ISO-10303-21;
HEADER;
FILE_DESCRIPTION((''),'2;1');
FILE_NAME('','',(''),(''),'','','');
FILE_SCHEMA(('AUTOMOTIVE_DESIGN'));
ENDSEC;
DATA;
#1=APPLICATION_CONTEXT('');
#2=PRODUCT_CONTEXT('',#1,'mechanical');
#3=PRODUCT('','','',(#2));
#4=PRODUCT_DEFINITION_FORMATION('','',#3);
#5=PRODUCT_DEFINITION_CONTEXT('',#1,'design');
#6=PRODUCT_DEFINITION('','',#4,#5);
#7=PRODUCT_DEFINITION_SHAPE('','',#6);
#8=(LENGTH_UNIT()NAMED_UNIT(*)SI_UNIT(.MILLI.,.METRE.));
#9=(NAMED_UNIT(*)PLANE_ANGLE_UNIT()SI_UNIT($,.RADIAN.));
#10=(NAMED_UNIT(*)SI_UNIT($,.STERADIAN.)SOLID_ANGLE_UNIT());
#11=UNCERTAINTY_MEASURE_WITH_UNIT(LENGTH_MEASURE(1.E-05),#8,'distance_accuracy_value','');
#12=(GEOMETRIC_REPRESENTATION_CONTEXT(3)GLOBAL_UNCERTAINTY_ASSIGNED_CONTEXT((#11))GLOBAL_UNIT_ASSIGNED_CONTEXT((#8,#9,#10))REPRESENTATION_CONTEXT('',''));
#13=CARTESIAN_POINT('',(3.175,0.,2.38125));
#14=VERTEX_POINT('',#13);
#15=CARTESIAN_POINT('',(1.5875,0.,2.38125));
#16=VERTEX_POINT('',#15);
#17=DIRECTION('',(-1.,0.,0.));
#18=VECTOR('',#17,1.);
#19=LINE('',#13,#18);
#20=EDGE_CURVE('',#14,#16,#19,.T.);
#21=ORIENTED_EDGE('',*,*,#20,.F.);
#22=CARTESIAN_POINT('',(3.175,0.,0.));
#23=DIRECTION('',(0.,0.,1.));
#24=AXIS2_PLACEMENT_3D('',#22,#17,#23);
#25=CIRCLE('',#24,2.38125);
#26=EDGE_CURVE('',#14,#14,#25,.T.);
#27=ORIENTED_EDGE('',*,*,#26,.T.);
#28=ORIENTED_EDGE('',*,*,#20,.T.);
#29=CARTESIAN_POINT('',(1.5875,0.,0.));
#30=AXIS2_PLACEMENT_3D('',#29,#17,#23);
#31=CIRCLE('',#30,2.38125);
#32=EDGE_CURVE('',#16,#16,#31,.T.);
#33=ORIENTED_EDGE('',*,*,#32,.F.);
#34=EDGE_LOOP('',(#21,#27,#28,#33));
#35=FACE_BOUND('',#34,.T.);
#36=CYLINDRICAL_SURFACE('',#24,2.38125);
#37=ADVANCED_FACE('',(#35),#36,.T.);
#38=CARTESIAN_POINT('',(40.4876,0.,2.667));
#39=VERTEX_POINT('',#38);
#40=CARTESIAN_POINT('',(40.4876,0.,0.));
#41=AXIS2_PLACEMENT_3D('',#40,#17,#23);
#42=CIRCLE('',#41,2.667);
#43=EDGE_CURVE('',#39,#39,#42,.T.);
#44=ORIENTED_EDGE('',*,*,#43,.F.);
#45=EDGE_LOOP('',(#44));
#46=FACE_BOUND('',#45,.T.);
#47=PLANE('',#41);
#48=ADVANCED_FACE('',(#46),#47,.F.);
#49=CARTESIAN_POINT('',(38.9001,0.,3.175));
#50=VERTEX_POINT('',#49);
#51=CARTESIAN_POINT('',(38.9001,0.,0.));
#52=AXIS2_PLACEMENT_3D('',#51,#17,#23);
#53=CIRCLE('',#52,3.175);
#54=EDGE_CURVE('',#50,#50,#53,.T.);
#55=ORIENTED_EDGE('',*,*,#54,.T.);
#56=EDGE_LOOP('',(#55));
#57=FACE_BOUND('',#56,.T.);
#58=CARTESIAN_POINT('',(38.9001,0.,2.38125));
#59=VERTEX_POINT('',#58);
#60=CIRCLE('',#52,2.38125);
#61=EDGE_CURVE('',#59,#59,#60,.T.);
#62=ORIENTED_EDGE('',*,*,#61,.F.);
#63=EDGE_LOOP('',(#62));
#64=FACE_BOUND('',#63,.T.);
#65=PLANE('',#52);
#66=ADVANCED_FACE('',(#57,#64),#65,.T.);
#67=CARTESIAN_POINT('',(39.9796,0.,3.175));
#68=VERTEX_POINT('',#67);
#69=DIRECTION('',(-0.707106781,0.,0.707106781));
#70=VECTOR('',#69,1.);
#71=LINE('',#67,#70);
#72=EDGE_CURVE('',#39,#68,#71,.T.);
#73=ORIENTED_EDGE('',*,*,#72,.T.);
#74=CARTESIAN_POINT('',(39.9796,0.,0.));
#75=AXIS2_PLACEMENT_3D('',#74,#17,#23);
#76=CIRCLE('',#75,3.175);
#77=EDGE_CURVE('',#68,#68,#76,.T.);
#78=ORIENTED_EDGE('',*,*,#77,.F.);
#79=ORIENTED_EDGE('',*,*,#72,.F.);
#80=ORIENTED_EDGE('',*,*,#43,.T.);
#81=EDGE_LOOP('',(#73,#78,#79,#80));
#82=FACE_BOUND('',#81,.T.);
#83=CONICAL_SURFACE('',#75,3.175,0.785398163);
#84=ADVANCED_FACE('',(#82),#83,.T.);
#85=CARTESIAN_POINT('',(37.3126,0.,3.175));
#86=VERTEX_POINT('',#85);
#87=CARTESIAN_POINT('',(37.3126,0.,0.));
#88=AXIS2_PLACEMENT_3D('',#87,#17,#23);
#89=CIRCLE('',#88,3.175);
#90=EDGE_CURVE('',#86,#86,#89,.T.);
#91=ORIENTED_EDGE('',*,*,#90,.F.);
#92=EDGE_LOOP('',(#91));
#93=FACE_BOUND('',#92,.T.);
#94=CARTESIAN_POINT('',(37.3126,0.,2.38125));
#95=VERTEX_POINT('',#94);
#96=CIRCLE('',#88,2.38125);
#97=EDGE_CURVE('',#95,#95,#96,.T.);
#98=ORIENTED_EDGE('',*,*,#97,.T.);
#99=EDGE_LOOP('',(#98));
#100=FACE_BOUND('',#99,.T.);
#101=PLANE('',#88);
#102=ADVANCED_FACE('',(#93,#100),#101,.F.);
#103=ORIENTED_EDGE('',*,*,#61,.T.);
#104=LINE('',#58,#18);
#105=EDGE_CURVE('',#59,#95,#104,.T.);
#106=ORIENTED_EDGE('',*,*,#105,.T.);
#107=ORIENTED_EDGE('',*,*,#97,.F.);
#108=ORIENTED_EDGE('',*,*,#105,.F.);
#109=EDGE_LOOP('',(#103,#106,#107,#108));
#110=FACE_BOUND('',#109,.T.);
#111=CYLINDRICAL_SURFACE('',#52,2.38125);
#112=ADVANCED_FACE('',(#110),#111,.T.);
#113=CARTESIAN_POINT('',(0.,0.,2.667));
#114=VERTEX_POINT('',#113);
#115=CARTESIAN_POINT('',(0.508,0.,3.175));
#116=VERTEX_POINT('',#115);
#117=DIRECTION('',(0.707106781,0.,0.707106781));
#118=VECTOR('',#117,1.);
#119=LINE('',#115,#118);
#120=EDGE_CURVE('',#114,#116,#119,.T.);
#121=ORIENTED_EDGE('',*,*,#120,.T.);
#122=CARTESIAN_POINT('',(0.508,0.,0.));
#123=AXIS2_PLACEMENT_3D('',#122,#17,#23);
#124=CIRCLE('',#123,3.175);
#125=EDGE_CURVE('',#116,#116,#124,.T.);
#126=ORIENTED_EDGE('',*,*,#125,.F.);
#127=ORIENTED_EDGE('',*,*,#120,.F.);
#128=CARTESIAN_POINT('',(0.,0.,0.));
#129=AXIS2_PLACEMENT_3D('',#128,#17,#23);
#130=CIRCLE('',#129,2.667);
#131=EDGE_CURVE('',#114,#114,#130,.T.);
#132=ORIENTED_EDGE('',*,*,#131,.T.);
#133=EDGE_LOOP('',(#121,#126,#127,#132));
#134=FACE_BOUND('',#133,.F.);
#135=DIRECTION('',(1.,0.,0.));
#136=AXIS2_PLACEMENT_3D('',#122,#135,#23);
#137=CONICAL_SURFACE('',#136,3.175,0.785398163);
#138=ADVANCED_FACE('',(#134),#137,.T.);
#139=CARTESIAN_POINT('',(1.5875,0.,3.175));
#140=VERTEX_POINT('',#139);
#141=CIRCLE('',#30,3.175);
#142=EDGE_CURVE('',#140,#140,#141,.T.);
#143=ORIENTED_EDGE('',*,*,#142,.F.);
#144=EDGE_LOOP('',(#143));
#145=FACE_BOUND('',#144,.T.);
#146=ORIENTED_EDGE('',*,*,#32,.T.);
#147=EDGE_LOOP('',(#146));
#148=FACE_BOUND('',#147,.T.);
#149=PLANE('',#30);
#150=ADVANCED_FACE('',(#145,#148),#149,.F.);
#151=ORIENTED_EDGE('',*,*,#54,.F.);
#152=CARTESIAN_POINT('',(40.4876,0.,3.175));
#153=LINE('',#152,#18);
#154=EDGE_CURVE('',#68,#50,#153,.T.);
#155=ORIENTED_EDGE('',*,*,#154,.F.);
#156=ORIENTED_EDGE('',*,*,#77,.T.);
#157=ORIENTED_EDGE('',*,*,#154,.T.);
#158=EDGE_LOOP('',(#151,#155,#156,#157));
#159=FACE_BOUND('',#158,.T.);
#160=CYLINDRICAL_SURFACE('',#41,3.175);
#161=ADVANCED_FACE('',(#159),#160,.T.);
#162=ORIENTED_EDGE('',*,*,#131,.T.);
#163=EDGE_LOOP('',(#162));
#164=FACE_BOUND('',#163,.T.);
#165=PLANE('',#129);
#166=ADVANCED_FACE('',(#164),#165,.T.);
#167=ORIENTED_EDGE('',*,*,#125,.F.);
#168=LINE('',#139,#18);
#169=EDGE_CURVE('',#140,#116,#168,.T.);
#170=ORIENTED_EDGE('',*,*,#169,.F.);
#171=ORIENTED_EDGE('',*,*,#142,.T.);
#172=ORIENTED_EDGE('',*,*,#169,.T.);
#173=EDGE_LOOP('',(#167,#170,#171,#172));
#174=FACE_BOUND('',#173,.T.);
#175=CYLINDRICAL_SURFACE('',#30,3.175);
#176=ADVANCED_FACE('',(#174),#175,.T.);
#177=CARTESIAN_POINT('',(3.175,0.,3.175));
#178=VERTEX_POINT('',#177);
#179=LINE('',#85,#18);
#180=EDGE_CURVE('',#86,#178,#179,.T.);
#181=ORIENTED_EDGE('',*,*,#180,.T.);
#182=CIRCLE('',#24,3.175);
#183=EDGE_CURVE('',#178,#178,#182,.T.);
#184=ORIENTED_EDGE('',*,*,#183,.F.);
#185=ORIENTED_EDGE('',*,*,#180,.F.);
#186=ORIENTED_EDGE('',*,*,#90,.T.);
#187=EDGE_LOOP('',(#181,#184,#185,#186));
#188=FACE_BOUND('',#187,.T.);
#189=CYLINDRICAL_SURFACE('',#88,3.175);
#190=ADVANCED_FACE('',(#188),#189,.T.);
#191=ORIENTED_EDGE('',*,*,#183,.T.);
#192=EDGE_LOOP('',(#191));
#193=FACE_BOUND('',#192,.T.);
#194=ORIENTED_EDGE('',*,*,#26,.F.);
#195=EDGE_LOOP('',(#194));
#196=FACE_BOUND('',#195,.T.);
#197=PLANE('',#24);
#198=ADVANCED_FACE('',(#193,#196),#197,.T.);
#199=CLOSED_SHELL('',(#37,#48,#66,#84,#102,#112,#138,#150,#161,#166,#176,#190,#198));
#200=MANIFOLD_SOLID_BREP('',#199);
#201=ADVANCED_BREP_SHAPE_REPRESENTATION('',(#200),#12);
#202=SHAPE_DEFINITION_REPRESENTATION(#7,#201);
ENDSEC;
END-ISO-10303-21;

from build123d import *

# Parameters (mm, degrees)
F2_SIZE = 0.508


with BuildPart() as f1:
    # F0 (on Front) → F1 (revolve)
    with BuildSketch(Plane.XZ):
        Polygon((0, 3.175), (0, 0), (40.4876, 0), (40.4876, 3.175), (38.9001, 3.175), (38.9001, 2.38125), (37.3126, 2.38125), (37.3126, 3.175), (3.175, 3.175), (3.175, 2.38125), (1.5875, 2.38125), (1.5875, 3.175), align=None)
    revolve(axis=Axis((20.2438, 0, 0), (-1, 0, 0)))

    # F2
    f2_edges = [f1.edges().sort_by_distance(p)[0] for p in [
        (40.4876, 0, -3.175),
        (0, 0, -3.175),
    ]]
    chamfer(f2_edges, length=F2_SIZE)


solid = f1.part
